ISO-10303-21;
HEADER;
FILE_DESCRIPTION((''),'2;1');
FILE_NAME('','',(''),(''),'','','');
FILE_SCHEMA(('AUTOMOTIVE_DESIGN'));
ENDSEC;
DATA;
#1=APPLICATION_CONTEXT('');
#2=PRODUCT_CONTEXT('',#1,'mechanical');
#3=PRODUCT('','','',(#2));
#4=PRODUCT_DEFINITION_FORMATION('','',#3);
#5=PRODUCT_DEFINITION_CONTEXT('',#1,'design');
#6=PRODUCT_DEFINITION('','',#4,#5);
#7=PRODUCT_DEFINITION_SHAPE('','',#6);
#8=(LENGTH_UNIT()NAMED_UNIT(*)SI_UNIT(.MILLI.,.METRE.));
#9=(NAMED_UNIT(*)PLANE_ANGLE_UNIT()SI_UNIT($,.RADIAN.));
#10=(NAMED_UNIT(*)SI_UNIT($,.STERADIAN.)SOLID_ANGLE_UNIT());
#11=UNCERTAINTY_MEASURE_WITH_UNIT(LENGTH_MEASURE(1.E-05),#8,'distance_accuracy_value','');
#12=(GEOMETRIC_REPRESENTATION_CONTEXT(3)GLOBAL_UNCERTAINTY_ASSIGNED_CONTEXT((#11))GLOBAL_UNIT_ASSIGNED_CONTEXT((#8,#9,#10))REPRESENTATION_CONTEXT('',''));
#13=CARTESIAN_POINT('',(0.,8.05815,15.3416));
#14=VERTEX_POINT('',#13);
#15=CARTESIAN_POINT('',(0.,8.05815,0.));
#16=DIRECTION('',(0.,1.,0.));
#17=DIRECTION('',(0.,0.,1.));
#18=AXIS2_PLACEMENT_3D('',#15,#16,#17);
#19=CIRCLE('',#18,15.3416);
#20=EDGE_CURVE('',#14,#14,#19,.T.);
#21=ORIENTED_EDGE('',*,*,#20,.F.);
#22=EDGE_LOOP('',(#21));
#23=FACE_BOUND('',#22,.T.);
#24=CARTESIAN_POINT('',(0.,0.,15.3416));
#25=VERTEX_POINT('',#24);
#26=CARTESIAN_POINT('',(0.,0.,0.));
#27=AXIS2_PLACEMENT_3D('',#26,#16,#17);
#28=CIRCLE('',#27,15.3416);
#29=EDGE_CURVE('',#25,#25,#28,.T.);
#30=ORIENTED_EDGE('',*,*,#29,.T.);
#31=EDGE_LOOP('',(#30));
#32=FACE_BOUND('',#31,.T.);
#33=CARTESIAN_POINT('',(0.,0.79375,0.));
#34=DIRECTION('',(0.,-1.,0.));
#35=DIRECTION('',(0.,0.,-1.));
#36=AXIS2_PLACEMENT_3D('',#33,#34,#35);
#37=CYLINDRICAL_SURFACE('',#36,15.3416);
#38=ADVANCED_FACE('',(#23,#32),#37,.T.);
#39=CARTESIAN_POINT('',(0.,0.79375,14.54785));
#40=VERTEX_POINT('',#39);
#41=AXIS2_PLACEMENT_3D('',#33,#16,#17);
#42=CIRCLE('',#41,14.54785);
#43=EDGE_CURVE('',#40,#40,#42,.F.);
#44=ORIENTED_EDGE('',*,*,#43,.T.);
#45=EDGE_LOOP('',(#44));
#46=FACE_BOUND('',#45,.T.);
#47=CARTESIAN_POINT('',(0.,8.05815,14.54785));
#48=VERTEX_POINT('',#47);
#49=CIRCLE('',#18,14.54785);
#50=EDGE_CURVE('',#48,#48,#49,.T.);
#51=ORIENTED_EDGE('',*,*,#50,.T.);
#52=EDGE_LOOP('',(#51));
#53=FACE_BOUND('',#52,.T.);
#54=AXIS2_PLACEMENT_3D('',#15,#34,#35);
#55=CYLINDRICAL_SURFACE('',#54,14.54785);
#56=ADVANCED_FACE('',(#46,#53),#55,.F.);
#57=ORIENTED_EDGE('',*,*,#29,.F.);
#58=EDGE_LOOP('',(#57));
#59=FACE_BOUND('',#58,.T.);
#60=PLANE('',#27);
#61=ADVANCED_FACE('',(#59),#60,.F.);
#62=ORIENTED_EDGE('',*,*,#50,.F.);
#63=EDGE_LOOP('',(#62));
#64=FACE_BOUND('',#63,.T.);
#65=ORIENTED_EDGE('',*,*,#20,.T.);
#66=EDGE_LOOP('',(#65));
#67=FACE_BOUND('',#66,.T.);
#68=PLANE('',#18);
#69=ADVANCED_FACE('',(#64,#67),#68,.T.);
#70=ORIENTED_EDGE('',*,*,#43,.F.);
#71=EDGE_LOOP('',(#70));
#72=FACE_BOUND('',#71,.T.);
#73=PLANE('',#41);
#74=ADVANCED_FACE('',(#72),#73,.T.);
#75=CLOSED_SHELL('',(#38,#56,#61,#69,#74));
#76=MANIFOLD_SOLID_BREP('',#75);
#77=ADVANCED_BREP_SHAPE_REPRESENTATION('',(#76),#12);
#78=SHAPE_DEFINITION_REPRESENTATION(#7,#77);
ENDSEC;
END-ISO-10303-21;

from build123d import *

# Parameters (mm, degrees)
SKETCH1_R           = 15.3416
BOSS_EXTRUDE1_DEPTH = 0.79375
SKETCH2_R           = 15.3416
SKETCH2_R_2         = 14.54785
BOSS_EXTRUDE2_DEPTH = 7.2644


with BuildPart() as part:
    # Sketch1 → Boss-Extrude1 (new body)
    with BuildSketch(Plane(origin=(0, 0, 0), x_dir=(1, 0, 0), z_dir=(0, 1, 0))):
        Circle(SKETCH1_R)
    extrude(amount=BOSS_EXTRUDE1_DEPTH)

    # Sketch2 → Boss-Extrude2 (add)
    with BuildSketch(Plane(origin=(0, 0.79375, 0), x_dir=(1, 0, 0), z_dir=(0, 1, 0))):
        Circle(SKETCH2_R)
        Circle(SKETCH2_R_2, mode=Mode.SUBTRACT)
    extrude(amount=BOSS_EXTRUDE2_DEPTH)


solid = part.part
